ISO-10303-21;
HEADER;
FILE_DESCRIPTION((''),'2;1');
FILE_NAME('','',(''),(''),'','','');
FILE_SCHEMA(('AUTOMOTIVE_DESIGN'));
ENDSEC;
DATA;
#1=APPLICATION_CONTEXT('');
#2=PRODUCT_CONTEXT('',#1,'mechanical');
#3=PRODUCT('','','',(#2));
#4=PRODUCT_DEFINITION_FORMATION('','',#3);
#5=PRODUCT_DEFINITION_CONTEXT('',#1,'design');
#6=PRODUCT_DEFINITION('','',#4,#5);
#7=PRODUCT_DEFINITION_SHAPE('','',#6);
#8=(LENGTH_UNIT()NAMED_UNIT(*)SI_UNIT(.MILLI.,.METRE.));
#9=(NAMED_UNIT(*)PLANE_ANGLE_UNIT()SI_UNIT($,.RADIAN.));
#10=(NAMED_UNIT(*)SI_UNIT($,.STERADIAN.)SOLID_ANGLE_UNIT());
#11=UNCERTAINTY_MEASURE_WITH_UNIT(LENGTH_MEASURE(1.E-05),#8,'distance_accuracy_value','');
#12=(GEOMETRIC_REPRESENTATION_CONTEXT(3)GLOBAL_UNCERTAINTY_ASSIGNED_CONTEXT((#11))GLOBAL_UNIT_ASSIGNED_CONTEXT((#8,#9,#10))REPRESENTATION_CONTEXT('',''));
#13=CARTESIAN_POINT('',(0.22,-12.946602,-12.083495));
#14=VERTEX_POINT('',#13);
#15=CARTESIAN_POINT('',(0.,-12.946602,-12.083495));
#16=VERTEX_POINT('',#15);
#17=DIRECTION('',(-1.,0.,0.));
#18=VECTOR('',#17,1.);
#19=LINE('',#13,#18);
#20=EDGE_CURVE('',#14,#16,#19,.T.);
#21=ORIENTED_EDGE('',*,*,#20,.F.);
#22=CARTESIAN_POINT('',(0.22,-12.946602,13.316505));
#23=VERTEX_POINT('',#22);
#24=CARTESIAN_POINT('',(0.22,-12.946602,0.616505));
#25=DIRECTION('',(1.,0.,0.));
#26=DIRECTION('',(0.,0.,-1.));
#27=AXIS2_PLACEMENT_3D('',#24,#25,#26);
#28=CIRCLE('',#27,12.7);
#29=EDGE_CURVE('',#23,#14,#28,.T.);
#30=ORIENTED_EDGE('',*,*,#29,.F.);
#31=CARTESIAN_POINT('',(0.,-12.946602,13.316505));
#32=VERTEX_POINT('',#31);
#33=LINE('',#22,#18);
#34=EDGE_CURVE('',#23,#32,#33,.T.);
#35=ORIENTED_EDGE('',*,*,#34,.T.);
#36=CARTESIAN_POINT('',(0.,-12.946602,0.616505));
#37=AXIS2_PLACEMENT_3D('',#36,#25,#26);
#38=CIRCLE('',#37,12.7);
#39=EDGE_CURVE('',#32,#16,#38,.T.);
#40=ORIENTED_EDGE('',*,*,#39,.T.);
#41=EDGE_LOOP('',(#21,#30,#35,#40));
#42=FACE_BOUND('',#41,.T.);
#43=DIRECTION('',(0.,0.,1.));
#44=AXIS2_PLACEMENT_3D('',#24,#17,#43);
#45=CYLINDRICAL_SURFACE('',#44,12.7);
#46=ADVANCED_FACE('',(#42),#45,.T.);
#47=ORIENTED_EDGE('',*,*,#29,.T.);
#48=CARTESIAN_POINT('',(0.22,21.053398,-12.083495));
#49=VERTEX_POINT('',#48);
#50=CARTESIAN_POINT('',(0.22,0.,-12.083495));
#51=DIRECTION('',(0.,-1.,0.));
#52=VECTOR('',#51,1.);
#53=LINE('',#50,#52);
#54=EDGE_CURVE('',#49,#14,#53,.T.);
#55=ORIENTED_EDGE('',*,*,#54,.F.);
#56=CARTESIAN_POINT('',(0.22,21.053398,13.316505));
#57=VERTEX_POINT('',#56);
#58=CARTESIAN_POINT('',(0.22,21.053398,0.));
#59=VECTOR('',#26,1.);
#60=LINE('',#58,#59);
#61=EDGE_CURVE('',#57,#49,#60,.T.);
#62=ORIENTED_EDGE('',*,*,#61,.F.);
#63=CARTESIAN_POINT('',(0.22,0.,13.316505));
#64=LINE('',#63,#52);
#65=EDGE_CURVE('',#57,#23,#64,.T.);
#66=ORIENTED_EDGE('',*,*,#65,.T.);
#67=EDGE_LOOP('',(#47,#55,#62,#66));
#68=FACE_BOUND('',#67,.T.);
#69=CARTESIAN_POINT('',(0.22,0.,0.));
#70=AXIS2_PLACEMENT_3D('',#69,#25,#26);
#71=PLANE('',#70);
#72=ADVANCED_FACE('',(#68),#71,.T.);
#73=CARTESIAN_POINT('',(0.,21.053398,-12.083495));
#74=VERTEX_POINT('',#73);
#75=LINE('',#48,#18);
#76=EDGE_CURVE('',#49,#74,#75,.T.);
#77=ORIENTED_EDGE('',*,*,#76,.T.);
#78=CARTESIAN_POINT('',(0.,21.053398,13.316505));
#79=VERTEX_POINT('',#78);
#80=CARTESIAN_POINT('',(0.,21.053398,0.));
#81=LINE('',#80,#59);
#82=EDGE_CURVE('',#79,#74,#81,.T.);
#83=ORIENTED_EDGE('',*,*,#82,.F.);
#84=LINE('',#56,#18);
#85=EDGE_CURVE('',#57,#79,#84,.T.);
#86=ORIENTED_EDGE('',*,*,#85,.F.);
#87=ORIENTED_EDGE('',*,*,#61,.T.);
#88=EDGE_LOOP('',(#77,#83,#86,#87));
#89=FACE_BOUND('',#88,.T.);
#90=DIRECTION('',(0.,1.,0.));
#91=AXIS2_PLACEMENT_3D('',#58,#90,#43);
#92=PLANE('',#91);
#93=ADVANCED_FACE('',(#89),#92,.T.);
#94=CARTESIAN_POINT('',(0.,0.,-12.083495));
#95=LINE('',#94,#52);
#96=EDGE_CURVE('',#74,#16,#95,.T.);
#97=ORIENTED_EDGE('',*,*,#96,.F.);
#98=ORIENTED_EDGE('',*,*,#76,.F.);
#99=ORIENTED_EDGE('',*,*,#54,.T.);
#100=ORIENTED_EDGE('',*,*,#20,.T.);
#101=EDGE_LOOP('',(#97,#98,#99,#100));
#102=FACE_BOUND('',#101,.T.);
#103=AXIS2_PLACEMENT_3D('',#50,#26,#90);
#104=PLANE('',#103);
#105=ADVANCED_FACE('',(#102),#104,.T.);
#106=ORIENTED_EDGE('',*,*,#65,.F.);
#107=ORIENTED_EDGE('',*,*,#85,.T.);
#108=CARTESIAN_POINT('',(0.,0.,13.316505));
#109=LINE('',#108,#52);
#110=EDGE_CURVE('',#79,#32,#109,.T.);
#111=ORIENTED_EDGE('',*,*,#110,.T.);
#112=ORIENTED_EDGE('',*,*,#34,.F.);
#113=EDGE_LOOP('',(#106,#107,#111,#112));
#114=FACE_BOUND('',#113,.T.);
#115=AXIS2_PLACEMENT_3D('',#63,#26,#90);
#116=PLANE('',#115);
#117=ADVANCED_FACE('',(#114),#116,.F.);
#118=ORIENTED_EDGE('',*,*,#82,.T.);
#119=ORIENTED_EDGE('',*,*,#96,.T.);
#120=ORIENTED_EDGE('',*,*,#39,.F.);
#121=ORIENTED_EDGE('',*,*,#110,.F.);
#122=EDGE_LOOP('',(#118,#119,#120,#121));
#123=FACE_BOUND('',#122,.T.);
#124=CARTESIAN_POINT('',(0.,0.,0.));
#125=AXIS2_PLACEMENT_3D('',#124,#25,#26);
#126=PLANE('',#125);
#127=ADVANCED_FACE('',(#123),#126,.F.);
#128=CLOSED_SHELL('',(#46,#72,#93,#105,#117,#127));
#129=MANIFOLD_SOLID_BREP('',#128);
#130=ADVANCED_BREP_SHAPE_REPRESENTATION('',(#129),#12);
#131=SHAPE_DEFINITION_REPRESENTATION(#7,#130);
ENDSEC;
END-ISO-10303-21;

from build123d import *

# Parameters (mm, degrees)
SKETCH1_W           = 25.4
SKETCH1_H           = 34
BOSS_EXTRUDE1_DEPTH = 0.22


with BuildPart() as part:
    # Sketch1 → Boss-Extrude1 (new body)
    with BuildSketch(Plane(origin=(0, 0, 0), x_dir=(0, 0, -1), z_dir=(1, 0, 0))):
        with BuildLine():
            Line((-13.316504854, -12.946601942), (12.083495146, -12.946601942))
            ThreePointArc((12.083495146, -12.946601942), (-0.616504854, -25.646601942), (-13.316504854, -12.946601942))
        make_face()
        with Locations((-0.616504854, 4.053398058)):
            Rectangle(SKETCH1_W, SKETCH1_H)
    extrude(amount=BOSS_EXTRUDE1_DEPTH)


solid = part.part
